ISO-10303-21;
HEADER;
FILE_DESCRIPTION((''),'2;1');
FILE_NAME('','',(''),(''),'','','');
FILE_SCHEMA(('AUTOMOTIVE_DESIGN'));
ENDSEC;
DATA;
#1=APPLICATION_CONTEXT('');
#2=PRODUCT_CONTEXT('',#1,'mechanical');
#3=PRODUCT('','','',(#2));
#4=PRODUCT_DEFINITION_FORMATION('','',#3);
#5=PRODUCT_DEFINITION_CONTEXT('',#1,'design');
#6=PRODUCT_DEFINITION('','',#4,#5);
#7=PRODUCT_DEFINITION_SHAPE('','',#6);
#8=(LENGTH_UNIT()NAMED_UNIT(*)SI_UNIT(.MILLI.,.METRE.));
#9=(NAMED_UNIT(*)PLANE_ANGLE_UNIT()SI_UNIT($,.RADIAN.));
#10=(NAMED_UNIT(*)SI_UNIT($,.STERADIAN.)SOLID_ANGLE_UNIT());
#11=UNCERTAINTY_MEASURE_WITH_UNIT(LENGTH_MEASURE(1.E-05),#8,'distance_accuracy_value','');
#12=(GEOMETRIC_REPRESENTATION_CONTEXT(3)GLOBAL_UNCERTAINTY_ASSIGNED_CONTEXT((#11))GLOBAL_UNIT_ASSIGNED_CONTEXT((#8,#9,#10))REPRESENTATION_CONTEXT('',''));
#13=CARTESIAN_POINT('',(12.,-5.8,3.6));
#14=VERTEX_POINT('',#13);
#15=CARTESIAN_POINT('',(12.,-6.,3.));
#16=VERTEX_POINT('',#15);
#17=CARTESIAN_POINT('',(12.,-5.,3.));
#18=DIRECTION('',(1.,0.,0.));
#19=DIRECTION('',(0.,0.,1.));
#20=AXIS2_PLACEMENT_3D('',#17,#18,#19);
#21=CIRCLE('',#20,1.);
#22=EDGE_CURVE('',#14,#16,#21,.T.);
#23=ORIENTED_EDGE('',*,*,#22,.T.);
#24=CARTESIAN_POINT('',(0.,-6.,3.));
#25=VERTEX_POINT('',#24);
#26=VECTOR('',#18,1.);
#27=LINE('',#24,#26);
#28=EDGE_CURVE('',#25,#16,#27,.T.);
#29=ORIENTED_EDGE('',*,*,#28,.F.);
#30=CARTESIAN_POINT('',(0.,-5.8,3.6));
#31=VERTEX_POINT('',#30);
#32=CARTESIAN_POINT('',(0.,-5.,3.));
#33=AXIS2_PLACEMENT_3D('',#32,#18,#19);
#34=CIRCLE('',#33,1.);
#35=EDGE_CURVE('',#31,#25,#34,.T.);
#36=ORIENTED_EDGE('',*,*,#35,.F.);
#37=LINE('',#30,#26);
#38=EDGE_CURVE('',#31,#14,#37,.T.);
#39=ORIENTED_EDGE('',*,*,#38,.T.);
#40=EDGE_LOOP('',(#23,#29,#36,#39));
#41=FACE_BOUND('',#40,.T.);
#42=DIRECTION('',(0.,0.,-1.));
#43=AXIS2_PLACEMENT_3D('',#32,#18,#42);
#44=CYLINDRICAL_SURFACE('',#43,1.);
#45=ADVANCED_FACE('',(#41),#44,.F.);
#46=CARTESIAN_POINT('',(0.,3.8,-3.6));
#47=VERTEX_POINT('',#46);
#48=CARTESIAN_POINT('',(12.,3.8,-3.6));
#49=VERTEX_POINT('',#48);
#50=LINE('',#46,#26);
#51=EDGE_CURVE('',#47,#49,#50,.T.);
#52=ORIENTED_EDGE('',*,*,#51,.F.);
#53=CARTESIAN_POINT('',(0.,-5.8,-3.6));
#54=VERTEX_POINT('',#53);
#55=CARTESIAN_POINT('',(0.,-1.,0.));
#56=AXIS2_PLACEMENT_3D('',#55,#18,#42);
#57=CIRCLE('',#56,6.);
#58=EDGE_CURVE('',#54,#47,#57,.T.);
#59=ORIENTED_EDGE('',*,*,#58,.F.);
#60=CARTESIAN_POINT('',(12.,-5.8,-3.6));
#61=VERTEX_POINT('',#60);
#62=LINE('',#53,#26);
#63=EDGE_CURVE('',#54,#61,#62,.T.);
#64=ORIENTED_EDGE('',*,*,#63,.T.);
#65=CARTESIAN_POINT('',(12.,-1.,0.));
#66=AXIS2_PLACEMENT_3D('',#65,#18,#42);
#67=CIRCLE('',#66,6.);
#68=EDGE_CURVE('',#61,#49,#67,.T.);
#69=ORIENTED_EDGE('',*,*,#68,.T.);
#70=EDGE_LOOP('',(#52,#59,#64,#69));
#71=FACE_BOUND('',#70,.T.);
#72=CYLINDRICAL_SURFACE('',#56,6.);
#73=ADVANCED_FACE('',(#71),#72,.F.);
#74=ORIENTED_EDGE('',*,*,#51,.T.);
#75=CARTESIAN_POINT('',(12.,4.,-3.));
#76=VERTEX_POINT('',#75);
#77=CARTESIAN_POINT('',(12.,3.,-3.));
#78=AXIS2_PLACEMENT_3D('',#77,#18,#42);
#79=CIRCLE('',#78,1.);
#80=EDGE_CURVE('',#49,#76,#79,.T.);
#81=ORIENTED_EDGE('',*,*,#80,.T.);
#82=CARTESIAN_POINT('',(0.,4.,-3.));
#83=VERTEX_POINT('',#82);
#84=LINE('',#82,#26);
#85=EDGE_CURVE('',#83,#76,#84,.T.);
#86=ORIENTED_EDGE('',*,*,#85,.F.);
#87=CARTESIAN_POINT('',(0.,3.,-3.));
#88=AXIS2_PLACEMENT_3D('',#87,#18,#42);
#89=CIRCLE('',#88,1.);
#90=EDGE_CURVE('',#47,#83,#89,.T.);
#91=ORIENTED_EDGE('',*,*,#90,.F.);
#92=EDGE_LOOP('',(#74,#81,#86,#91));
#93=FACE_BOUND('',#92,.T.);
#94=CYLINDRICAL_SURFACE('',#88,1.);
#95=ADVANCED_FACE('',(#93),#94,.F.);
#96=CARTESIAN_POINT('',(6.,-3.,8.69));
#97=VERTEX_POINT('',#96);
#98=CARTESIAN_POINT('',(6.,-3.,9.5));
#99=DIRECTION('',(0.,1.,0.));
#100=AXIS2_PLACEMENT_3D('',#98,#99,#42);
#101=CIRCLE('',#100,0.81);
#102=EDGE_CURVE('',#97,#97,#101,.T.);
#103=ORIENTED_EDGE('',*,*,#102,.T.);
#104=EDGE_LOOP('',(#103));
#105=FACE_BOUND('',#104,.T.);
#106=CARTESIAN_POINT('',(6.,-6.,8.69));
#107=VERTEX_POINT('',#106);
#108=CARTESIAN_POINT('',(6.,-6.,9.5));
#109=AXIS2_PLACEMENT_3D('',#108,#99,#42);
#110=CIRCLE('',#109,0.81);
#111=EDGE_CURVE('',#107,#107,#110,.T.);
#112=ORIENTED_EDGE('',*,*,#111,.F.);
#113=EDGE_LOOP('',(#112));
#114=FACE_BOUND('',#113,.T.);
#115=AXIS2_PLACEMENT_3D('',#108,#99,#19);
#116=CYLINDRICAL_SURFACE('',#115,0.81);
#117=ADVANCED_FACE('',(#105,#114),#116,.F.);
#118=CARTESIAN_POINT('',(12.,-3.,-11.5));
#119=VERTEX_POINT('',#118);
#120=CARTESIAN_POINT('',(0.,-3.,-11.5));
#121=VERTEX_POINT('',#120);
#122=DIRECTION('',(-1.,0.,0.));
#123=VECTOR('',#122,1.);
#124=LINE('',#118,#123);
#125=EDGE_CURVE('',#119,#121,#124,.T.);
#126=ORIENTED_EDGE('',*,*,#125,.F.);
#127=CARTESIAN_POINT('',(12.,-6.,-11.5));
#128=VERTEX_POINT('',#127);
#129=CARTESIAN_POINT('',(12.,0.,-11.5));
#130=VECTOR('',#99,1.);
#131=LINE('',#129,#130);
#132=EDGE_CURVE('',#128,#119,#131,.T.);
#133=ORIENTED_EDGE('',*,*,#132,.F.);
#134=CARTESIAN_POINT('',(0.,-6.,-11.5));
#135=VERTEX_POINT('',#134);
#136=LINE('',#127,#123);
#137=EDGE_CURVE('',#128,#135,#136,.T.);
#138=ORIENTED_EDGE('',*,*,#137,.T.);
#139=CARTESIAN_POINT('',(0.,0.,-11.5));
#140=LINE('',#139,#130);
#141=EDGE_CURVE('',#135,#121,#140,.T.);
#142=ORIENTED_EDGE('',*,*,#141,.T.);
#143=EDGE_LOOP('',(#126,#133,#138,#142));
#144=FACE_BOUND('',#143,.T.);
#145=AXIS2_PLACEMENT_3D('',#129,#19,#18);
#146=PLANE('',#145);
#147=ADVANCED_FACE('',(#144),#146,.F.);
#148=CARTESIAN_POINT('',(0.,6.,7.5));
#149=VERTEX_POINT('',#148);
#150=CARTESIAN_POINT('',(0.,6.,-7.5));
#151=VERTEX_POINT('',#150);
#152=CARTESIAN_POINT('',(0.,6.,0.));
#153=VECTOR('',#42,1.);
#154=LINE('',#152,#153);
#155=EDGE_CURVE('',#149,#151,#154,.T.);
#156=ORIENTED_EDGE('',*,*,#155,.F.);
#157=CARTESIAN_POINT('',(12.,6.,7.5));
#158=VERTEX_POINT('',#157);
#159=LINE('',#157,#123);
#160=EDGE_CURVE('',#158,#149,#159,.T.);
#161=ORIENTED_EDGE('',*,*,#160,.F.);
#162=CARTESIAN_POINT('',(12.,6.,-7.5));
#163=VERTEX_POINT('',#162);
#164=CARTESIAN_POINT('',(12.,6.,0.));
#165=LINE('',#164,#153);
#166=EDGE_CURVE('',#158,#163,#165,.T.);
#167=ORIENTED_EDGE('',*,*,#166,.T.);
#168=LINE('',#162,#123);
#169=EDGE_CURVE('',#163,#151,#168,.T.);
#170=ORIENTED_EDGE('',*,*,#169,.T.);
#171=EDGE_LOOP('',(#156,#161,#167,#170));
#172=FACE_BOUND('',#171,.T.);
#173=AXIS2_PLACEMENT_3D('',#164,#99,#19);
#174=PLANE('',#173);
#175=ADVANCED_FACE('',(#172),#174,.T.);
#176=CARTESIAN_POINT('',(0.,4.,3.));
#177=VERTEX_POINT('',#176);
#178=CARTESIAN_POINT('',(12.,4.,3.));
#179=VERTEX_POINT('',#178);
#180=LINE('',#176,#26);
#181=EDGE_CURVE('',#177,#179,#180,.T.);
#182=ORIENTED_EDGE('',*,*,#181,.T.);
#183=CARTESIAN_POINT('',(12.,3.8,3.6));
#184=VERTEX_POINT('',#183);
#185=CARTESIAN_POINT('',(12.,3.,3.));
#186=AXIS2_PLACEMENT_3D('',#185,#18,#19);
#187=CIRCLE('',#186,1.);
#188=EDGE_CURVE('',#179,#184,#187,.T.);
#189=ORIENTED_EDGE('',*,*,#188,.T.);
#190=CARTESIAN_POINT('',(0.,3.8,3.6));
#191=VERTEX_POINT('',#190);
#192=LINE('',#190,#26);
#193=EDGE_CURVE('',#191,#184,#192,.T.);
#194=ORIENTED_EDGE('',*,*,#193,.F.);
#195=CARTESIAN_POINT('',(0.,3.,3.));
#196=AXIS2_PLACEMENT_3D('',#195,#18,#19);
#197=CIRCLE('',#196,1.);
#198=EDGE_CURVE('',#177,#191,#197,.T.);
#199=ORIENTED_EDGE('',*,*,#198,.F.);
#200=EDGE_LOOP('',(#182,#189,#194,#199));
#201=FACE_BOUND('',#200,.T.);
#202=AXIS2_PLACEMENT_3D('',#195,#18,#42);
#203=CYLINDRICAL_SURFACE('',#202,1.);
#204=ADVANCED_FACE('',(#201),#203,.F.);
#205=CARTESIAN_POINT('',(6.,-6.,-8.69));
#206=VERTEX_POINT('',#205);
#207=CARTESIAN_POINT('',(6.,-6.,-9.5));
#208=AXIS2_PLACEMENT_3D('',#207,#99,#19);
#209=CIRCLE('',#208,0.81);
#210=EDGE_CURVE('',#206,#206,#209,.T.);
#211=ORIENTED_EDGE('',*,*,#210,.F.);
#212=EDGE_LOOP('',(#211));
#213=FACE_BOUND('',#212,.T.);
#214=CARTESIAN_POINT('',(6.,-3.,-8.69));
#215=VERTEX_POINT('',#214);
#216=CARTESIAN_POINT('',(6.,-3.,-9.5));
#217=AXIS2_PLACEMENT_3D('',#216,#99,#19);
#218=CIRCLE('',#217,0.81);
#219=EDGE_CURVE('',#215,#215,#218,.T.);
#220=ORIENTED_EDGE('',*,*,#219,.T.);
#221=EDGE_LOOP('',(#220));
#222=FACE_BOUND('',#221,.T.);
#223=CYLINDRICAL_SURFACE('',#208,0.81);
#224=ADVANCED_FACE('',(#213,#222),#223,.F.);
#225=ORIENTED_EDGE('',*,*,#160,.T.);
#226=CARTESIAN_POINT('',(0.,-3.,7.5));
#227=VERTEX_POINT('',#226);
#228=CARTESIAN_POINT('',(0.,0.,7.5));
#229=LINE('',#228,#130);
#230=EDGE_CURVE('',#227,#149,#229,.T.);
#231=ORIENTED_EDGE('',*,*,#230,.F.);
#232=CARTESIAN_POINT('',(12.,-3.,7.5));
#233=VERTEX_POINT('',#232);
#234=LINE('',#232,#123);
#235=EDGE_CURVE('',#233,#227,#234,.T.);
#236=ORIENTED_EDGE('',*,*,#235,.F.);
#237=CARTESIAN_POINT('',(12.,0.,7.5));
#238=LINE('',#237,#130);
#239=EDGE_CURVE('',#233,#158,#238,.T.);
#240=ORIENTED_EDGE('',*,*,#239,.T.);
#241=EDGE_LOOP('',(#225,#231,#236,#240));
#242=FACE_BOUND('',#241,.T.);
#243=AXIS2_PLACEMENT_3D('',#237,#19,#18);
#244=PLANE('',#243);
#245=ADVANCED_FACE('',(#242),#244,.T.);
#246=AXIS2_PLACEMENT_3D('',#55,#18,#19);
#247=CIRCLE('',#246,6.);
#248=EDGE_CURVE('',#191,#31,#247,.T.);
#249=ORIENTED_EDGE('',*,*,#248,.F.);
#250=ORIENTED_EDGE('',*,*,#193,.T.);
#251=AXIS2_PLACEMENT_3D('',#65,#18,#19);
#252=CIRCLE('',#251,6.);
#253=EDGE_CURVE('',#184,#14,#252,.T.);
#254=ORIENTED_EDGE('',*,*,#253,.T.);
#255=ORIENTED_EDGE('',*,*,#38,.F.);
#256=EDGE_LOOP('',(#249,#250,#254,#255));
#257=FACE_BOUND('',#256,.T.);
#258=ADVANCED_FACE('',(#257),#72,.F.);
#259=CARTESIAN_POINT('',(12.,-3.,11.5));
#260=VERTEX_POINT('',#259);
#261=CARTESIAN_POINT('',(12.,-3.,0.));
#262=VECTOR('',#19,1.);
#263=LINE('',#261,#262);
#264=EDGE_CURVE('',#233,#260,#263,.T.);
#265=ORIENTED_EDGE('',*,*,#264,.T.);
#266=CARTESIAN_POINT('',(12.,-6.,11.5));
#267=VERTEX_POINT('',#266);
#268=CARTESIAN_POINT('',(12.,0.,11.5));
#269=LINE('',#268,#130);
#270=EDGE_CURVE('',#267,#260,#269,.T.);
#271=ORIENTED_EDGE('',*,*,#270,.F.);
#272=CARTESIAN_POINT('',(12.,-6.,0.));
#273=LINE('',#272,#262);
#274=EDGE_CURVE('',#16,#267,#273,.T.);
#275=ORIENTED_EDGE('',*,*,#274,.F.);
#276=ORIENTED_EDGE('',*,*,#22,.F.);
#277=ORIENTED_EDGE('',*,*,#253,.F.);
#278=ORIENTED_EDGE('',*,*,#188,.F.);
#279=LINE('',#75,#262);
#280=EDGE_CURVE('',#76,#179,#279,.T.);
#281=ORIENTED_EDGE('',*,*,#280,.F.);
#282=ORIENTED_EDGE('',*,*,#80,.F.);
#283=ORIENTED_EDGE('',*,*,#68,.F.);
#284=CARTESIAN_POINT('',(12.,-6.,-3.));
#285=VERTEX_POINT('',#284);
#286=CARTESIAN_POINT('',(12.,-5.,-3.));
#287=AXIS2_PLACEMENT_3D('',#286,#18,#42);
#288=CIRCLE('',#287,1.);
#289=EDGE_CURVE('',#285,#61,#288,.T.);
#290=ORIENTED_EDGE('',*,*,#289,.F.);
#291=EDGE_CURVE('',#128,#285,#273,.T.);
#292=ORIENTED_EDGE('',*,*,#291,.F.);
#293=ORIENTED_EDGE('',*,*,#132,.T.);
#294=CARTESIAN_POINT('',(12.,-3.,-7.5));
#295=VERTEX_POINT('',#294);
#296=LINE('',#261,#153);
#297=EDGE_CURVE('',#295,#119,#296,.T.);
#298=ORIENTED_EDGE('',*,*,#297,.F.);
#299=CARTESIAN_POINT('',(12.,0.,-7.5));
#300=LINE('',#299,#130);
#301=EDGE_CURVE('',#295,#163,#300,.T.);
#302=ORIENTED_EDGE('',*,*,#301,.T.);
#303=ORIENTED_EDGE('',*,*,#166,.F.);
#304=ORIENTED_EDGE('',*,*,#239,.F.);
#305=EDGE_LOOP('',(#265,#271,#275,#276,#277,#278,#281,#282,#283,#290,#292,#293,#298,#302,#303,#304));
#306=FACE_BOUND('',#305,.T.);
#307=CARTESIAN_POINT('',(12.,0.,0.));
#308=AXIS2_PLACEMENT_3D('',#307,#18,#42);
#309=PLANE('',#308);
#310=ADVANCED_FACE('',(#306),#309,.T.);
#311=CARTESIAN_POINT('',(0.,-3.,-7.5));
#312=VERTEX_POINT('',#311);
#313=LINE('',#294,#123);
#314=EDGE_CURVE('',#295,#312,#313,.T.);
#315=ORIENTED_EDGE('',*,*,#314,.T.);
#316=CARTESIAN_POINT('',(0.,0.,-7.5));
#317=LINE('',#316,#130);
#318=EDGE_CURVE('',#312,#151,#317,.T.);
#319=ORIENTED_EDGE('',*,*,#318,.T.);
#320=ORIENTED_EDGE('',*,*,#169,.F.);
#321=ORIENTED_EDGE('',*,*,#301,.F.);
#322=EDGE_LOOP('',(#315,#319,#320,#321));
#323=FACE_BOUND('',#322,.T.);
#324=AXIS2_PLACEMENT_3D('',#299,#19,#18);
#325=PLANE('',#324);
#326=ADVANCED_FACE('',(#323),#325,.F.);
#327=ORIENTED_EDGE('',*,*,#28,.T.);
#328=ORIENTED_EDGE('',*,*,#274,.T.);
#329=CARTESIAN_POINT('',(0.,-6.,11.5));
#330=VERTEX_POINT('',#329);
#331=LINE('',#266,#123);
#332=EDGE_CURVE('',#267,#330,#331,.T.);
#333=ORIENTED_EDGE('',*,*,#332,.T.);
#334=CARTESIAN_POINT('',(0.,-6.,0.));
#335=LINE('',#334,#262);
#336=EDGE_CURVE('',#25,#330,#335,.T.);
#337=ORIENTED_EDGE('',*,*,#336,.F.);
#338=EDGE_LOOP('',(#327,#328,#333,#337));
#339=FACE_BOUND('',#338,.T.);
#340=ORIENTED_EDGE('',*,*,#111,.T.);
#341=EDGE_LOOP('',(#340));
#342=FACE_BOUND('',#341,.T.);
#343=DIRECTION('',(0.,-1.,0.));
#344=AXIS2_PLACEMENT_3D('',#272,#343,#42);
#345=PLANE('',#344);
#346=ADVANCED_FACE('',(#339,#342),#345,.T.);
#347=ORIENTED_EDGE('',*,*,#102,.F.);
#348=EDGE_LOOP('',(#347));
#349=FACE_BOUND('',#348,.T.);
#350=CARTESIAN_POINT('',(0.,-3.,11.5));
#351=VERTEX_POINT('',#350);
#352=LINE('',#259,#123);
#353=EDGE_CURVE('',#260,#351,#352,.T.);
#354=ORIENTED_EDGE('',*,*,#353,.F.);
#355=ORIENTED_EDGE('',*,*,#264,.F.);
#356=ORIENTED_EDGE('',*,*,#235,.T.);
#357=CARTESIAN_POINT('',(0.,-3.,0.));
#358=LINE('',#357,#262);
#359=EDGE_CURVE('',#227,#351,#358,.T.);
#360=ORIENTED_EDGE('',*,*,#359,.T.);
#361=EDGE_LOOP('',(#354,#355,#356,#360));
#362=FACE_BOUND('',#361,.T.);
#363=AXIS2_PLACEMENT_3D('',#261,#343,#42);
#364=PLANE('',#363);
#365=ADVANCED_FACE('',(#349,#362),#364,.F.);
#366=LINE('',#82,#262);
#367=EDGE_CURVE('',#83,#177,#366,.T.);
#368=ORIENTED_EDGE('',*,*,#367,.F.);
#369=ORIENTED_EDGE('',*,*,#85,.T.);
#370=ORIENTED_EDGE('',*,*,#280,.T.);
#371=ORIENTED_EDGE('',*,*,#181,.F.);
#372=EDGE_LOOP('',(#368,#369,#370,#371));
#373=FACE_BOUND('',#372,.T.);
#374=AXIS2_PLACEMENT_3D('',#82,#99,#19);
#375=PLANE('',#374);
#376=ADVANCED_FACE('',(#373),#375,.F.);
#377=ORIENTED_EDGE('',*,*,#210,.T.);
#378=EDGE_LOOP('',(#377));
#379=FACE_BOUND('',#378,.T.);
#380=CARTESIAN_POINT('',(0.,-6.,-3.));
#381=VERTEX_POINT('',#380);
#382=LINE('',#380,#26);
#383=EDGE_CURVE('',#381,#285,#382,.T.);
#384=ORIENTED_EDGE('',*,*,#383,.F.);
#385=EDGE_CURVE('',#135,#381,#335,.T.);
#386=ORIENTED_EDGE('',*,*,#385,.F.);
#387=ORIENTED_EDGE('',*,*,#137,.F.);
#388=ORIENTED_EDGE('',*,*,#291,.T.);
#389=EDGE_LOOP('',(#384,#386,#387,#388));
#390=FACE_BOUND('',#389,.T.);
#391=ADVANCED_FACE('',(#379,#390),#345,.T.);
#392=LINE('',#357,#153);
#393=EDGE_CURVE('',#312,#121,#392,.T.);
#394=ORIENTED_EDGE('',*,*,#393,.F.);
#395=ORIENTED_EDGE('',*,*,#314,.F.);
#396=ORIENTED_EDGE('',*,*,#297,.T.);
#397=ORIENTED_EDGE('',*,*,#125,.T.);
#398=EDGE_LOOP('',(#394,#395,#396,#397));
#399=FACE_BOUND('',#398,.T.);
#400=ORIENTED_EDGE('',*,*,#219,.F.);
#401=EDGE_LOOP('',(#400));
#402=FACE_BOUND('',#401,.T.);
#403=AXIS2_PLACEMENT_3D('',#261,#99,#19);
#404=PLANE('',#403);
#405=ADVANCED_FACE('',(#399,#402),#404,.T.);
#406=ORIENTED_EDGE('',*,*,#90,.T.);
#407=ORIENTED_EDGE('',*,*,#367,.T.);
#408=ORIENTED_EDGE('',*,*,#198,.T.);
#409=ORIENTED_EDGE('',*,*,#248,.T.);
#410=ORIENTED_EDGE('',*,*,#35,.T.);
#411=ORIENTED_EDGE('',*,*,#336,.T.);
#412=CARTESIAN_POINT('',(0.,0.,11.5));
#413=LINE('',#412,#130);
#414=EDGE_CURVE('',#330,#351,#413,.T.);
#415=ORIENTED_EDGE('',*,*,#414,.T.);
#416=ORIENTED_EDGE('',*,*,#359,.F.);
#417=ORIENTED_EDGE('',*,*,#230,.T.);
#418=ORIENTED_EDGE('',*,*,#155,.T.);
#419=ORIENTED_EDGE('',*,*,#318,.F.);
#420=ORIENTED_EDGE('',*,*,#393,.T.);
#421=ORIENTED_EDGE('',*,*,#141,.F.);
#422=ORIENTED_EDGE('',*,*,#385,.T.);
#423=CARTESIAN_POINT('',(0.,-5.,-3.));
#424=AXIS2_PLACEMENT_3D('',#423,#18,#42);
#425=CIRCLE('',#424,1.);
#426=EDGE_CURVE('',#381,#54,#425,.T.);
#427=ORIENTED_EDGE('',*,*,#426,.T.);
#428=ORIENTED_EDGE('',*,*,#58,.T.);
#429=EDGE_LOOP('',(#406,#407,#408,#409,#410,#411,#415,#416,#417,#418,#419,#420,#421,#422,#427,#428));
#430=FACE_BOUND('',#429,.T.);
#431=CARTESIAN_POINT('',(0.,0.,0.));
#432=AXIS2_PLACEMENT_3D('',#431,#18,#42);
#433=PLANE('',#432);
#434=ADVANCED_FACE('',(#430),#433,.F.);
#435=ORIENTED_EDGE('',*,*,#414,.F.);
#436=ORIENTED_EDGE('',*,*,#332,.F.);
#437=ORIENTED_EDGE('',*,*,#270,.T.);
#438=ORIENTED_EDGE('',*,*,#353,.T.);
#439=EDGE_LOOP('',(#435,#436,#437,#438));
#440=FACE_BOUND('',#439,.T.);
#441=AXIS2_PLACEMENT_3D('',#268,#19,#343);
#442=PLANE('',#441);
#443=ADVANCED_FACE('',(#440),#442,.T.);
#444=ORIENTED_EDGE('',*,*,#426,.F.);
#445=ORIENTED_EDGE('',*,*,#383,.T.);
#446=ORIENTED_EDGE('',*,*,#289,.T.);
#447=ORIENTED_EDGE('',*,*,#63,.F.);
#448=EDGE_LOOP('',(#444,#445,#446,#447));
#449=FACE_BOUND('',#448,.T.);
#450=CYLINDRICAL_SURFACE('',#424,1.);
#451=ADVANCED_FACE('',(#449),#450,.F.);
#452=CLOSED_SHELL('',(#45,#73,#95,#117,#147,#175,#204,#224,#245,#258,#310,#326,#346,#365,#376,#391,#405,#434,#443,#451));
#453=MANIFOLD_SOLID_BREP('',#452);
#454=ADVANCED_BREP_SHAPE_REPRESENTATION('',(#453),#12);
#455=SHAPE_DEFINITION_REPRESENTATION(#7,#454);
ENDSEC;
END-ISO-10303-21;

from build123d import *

# Parameters (mm, degrees)
CROQUIS1_W              = 4
CROQUIS1_H              = 3
CROQUIS1_W_2            = 15
CROQUIS1_H_2            = 12
SALIENTE_EXTRUIR1_DEPTH = 12
CORTAR_EXTRUIR2_DEPTH   = 12
CROQUIS5_R              = 0.81
CORTAR_EXTRUIR3_DEPTH   = 3


with BuildPart() as part:
    # Croquis1 → Saliente-Extruir1 (new body)
    with BuildSketch(Plane(origin=(0, 0, 0), x_dir=(0, 0, -1), z_dir=(1, 0, 0))):
        with Locations((-9.5, -4.5)):
            Rectangle(CROQUIS1_W, CROQUIS1_H)
        Rectangle(CROQUIS1_W_2, CROQUIS1_H_2)
        with Locations((9.5, -4.5)):
            Rectangle(CROQUIS1_W, CROQUIS1_H)
    extrude(amount=SALIENTE_EXTRUIR1_DEPTH)

    # Croquis4 → Cortar-Extruir2 (cut)
    with BuildSketch(Plane(origin=(12, 0, 0), x_dir=(0, 0, -1), z_dir=(1, 0, 0))):
        with BuildLine():
            Line((-3, -6), (3, -6))
            ThreePointArc((3, -6), (3.316227766, -5.948683298), (3.6, -5.8))
            ThreePointArc((3.6, -5.8), (6, -1), (3.6, 3.799999999))
            ThreePointArc((3.6, 3.799999999), (3.316227766, 3.948683297), (3, 3.999999999))
            Line((3, 3.999999999), (-3, 3.999999999))
            ThreePointArc((-3, 3.999999999), (-3.316227766, 3.948683297), (-3.6, 3.799999999))
            ThreePointArc((-3.6, 3.799999999), (-6, -1), (-3.6, -5.8))
            ThreePointArc((-3.6, -5.8), (-3.316227766, -5.948683298), (-3, -6))
        make_face()
    extrude(amount=-CORTAR_EXTRUIR2_DEPTH, mode=Mode.SUBTRACT)

    # Croquis5 → Cortar-Extruir3 (cut)
    with BuildSketch(Plane(origin=(0, -3, 0), x_dir=(1, 0, 0), z_dir=(0, 1, 0))):
        with Locations(Location((6, 9.5, 0), (0, 0, 270))):
            Circle(CROQUIS5_R)
        with Locations(Location((6, -9.5, 0), (0, 0, 90))):
            Circle(CROQUIS5_R)
    extrude(amount=-CORTAR_EXTRUIR3_DEPTH, mode=Mode.SUBTRACT)


solid = part.part
